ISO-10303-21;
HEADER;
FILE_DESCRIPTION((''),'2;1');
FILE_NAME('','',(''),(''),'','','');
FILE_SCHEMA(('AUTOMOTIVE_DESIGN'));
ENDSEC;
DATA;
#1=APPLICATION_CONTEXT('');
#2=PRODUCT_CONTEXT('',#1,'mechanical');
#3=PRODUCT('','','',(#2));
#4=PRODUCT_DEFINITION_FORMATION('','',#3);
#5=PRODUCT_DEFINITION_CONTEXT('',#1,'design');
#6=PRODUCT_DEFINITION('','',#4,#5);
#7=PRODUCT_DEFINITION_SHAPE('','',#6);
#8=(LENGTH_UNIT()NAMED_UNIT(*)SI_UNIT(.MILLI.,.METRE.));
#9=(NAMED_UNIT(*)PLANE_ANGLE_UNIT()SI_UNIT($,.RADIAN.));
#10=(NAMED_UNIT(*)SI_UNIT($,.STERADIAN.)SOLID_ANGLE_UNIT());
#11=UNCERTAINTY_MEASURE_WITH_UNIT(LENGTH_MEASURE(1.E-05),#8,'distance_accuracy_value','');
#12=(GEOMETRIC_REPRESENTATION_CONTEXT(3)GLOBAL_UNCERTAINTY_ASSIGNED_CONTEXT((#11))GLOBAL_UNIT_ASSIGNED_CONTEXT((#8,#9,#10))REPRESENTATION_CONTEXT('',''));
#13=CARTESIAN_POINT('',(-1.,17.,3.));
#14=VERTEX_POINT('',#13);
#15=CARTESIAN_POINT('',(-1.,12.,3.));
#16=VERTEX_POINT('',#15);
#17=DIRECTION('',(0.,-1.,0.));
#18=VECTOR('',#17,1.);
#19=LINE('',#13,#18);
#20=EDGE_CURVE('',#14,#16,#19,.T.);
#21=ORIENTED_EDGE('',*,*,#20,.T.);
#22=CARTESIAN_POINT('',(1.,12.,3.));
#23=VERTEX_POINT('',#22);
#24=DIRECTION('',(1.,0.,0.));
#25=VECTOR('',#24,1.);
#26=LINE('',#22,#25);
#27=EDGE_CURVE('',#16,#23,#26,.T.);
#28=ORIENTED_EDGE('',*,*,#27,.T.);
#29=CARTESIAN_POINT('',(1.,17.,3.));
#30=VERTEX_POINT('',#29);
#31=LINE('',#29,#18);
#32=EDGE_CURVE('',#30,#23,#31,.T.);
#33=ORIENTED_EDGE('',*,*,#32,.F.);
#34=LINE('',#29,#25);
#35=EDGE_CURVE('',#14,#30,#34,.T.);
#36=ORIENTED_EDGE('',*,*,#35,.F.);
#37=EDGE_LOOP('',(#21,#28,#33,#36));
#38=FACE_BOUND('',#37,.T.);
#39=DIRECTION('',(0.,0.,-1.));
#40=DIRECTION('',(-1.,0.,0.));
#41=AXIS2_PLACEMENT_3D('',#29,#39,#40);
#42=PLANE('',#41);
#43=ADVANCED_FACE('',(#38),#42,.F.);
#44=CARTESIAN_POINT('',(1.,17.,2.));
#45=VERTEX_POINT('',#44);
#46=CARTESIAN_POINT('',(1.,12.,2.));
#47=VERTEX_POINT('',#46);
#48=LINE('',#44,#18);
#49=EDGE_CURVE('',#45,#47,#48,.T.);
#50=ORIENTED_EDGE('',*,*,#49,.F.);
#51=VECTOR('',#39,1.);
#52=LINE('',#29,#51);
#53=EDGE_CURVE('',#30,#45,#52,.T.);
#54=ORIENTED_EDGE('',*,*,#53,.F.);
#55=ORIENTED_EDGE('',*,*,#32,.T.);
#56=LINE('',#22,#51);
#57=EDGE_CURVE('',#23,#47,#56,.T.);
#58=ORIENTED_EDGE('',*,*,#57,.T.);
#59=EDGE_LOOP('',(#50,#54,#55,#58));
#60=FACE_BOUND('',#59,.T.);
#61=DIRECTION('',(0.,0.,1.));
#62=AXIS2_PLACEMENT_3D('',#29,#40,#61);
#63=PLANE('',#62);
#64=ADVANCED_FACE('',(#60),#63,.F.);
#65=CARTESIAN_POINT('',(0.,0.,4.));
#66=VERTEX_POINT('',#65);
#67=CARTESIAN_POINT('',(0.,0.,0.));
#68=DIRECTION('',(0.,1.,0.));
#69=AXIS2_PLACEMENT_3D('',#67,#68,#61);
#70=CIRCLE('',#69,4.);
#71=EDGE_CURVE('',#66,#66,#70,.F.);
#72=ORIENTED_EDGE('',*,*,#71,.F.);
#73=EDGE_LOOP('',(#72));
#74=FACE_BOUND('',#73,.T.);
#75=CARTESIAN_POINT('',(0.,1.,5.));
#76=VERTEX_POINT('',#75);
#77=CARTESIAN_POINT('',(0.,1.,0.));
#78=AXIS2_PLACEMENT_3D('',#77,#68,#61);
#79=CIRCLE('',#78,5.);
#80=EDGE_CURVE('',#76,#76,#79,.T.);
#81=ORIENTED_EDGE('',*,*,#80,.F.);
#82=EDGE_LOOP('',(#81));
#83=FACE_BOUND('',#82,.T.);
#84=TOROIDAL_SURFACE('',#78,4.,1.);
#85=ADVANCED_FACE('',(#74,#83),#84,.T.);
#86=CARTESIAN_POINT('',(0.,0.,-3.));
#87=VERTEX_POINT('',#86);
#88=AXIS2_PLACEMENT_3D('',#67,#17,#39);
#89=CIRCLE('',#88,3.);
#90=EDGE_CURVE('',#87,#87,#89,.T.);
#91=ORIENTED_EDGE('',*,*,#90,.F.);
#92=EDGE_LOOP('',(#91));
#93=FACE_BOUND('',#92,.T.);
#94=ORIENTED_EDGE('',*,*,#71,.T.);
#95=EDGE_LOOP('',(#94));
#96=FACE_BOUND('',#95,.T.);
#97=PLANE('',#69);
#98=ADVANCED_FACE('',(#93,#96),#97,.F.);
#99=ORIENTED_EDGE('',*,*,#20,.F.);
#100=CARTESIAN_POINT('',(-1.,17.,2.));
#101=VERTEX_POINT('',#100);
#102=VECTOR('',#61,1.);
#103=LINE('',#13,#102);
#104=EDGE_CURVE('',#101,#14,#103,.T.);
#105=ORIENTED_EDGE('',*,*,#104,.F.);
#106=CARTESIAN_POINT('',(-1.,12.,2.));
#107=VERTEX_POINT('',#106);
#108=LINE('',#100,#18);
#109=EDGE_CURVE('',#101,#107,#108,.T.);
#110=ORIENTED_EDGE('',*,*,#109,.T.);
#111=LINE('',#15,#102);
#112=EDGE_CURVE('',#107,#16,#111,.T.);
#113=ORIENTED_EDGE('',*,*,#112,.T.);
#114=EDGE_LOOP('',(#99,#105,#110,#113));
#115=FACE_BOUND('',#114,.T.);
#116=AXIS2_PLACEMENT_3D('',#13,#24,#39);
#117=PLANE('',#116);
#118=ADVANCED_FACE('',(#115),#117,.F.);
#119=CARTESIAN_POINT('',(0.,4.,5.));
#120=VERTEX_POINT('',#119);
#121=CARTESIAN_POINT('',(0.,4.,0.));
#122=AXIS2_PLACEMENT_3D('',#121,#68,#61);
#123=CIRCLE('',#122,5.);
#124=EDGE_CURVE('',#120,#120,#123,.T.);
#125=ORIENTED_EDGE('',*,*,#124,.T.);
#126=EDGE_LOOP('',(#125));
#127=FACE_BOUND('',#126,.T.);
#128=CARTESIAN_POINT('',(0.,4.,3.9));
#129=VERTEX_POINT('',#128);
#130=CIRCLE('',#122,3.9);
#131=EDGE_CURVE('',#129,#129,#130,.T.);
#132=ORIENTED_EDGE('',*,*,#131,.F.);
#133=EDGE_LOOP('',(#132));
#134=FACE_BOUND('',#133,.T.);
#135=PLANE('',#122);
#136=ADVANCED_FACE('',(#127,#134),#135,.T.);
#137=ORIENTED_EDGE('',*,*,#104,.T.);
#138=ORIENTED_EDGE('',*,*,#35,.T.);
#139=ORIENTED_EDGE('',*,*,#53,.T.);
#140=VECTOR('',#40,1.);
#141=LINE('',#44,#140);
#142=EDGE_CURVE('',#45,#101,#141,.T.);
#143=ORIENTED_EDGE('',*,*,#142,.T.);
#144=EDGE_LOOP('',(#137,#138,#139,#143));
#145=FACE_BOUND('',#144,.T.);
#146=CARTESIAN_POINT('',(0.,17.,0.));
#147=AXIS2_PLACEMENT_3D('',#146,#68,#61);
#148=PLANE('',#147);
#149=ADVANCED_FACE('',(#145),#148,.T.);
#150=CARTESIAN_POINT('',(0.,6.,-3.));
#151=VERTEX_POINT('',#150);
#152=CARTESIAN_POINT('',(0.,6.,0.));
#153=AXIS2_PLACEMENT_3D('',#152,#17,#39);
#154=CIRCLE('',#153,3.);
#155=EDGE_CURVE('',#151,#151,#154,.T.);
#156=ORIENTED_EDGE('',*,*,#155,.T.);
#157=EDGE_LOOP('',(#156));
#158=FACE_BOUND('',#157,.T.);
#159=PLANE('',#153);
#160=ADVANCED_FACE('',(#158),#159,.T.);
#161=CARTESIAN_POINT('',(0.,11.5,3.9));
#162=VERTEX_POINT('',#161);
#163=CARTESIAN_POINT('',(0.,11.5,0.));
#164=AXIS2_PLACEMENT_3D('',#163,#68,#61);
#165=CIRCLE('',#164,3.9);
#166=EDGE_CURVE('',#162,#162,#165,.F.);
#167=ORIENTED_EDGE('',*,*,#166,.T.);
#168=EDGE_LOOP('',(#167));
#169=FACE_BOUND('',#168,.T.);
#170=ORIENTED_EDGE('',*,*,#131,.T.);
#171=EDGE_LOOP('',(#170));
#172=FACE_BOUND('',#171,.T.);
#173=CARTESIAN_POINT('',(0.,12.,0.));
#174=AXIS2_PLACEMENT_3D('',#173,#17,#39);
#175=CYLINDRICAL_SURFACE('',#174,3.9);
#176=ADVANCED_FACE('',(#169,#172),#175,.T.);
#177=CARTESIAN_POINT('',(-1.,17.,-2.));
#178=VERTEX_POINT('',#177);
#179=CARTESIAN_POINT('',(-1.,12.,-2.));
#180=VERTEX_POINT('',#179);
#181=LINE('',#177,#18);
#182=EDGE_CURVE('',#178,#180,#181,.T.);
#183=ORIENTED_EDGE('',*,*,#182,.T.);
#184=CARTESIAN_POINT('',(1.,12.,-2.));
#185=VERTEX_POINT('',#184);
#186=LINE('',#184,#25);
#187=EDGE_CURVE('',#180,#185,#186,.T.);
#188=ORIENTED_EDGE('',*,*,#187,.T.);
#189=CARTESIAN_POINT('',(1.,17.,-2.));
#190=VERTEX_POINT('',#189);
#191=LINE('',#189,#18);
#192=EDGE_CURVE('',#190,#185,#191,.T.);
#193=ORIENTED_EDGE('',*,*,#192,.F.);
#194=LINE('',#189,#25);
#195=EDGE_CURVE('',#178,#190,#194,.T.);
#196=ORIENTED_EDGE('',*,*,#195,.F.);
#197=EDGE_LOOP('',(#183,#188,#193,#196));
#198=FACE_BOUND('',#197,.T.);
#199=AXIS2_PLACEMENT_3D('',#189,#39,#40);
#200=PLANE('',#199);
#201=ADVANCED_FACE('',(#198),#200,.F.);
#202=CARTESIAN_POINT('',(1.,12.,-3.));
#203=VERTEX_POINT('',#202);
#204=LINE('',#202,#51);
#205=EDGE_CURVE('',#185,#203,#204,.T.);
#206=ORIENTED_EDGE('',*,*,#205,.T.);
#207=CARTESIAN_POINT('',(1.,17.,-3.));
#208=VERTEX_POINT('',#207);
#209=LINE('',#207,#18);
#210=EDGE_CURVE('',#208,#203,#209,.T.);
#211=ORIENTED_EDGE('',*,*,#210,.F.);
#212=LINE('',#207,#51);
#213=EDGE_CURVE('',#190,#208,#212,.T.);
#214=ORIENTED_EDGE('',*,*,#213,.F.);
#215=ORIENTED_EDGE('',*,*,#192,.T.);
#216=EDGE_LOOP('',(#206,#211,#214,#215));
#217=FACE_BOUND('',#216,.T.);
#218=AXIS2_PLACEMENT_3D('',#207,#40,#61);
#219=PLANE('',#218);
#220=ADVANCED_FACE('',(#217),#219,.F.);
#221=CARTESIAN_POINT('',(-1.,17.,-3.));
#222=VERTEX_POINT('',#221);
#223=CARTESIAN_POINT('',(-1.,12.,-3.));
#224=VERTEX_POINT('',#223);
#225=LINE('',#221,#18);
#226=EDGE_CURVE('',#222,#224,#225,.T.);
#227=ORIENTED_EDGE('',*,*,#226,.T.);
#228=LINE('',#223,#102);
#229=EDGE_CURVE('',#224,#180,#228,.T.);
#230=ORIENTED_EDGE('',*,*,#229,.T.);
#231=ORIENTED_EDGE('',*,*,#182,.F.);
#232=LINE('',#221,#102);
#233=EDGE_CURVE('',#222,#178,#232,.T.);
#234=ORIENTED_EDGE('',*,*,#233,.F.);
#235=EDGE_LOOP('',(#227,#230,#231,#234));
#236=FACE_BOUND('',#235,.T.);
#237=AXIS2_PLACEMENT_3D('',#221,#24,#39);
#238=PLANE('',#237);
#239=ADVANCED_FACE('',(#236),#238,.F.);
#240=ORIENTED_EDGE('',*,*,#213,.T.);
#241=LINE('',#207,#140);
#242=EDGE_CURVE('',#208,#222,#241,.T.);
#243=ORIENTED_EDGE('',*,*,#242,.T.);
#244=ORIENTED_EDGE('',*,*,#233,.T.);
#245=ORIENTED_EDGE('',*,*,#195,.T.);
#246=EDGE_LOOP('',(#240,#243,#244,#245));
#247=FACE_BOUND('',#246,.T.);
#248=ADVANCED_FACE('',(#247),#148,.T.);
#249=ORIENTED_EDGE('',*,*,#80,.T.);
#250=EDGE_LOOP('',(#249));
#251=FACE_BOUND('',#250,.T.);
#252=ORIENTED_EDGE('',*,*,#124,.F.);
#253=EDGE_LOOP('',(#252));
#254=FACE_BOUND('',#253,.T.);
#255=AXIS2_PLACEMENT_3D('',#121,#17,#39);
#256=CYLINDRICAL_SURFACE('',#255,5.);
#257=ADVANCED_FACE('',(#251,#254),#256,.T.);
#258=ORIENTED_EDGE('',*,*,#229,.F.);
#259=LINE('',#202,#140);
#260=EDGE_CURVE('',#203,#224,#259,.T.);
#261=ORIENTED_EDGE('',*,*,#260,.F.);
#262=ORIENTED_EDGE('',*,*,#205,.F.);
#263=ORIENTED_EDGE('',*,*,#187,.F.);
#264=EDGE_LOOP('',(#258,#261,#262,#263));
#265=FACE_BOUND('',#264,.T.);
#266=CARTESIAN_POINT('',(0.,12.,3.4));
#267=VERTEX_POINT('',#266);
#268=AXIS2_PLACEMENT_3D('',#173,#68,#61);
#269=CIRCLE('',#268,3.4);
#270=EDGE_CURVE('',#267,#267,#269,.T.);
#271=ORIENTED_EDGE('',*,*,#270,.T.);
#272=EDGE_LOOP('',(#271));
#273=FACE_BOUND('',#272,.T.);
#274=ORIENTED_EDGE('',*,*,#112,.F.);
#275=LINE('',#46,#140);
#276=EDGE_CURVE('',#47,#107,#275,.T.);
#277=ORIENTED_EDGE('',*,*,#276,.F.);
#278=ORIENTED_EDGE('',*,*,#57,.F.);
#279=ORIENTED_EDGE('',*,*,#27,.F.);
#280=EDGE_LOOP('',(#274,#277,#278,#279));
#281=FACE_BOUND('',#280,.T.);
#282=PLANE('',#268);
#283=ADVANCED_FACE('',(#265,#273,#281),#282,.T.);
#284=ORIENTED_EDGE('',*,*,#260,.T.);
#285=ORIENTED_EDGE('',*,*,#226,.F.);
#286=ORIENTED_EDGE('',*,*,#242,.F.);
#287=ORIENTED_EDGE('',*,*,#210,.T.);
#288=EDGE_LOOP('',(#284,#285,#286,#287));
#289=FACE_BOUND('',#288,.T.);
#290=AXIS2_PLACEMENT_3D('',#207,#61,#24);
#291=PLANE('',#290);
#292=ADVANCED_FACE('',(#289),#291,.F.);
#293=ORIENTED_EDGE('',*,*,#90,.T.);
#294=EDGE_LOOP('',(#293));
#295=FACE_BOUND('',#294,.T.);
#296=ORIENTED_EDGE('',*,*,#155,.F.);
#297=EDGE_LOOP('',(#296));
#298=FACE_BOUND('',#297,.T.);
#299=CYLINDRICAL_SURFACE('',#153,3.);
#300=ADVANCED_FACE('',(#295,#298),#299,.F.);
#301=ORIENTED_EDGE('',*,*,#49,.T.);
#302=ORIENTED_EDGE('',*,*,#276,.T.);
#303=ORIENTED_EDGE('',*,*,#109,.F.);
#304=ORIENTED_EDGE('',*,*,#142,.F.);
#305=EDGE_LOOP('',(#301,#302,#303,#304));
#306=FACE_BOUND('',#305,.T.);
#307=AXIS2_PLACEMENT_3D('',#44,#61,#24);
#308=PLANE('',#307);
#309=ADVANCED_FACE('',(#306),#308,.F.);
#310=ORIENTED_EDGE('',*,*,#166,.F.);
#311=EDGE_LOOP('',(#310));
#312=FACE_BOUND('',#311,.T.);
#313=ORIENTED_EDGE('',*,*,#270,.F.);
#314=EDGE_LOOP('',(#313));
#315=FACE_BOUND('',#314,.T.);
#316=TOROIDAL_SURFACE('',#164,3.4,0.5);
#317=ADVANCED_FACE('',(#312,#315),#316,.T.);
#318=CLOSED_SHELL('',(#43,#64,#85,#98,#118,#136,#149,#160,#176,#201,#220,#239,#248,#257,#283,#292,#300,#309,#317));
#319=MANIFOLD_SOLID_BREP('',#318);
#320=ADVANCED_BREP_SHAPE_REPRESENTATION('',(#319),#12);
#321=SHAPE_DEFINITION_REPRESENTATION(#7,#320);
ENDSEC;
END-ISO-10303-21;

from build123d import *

# Parameters (mm, degrees)
ESQUISSE1_R             = 5
BOSS_EXTRU_1_DEPTH      = 4
ESQUISSE2_R             = 3.9
BOSS_EXTRU_2_DEPTH      = 8
CONG_1_R                = 1
ESQUISSE3_R             = 3
ENL_V_MAT_EXTRU_2_DEPTH = 6
ESQUISSE4_W             = 2
ESQUISSE4_H             = 1
BOSS_EXTRU_3_DEPTH      = 5
CONG_2_R                = 0.5


with BuildPart() as part:
    # Esquisse1 → Boss.-Extru.1 (new body)
    with BuildSketch(Plane(origin=(0, 0, 0), x_dir=(1, 0, 0), z_dir=(0, 1, 0))):
        Circle(ESQUISSE1_R)
    extrude(amount=BOSS_EXTRU_1_DEPTH)

    # Esquisse2 → Boss.-Extru.2 (add)
    with BuildSketch(Plane(origin=(0, 4, 0), x_dir=(1, 0, 0), z_dir=(0, 1, 0))):
        Circle(ESQUISSE2_R)
    extrude(amount=BOSS_EXTRU_2_DEPTH)

    # Congé1
    cong_1_edges = [part.edges().sort_by_distance(p)[0] for p in [
        (-5, 0, 0),
    ]]
    fillet(cong_1_edges, radius=CONG_1_R)

    # Esquisse3 → Enlèv. mat.-Extru.2 (cut)
    with BuildSketch(Plane.XZ):
        Circle(ESQUISSE3_R)
    extrude(amount=-ENL_V_MAT_EXTRU_2_DEPTH, mode=Mode.SUBTRACT)

    # Esquisse4 → Boss.-Extru.3 (add)
    with BuildSketch(Plane(origin=(0, 12, 0), x_dir=(1, 0, 0), z_dir=(0, 1, 0))):
        with Locations((0, -2.5)):
            Rectangle(ESQUISSE4_W, ESQUISSE4_H)
        with Locations((0, 2.5)):
            Rectangle(ESQUISSE4_W, ESQUISSE4_H)
    extrude(amount=BOSS_EXTRU_3_DEPTH)

    # Congé2
    cong_2_edges = [part.edges().sort_by_distance(p)[0] for p in [
        (-3.9, 12, 0),
    ]]
    fillet(cong_2_edges, radius=CONG_2_R)


solid = part.part
